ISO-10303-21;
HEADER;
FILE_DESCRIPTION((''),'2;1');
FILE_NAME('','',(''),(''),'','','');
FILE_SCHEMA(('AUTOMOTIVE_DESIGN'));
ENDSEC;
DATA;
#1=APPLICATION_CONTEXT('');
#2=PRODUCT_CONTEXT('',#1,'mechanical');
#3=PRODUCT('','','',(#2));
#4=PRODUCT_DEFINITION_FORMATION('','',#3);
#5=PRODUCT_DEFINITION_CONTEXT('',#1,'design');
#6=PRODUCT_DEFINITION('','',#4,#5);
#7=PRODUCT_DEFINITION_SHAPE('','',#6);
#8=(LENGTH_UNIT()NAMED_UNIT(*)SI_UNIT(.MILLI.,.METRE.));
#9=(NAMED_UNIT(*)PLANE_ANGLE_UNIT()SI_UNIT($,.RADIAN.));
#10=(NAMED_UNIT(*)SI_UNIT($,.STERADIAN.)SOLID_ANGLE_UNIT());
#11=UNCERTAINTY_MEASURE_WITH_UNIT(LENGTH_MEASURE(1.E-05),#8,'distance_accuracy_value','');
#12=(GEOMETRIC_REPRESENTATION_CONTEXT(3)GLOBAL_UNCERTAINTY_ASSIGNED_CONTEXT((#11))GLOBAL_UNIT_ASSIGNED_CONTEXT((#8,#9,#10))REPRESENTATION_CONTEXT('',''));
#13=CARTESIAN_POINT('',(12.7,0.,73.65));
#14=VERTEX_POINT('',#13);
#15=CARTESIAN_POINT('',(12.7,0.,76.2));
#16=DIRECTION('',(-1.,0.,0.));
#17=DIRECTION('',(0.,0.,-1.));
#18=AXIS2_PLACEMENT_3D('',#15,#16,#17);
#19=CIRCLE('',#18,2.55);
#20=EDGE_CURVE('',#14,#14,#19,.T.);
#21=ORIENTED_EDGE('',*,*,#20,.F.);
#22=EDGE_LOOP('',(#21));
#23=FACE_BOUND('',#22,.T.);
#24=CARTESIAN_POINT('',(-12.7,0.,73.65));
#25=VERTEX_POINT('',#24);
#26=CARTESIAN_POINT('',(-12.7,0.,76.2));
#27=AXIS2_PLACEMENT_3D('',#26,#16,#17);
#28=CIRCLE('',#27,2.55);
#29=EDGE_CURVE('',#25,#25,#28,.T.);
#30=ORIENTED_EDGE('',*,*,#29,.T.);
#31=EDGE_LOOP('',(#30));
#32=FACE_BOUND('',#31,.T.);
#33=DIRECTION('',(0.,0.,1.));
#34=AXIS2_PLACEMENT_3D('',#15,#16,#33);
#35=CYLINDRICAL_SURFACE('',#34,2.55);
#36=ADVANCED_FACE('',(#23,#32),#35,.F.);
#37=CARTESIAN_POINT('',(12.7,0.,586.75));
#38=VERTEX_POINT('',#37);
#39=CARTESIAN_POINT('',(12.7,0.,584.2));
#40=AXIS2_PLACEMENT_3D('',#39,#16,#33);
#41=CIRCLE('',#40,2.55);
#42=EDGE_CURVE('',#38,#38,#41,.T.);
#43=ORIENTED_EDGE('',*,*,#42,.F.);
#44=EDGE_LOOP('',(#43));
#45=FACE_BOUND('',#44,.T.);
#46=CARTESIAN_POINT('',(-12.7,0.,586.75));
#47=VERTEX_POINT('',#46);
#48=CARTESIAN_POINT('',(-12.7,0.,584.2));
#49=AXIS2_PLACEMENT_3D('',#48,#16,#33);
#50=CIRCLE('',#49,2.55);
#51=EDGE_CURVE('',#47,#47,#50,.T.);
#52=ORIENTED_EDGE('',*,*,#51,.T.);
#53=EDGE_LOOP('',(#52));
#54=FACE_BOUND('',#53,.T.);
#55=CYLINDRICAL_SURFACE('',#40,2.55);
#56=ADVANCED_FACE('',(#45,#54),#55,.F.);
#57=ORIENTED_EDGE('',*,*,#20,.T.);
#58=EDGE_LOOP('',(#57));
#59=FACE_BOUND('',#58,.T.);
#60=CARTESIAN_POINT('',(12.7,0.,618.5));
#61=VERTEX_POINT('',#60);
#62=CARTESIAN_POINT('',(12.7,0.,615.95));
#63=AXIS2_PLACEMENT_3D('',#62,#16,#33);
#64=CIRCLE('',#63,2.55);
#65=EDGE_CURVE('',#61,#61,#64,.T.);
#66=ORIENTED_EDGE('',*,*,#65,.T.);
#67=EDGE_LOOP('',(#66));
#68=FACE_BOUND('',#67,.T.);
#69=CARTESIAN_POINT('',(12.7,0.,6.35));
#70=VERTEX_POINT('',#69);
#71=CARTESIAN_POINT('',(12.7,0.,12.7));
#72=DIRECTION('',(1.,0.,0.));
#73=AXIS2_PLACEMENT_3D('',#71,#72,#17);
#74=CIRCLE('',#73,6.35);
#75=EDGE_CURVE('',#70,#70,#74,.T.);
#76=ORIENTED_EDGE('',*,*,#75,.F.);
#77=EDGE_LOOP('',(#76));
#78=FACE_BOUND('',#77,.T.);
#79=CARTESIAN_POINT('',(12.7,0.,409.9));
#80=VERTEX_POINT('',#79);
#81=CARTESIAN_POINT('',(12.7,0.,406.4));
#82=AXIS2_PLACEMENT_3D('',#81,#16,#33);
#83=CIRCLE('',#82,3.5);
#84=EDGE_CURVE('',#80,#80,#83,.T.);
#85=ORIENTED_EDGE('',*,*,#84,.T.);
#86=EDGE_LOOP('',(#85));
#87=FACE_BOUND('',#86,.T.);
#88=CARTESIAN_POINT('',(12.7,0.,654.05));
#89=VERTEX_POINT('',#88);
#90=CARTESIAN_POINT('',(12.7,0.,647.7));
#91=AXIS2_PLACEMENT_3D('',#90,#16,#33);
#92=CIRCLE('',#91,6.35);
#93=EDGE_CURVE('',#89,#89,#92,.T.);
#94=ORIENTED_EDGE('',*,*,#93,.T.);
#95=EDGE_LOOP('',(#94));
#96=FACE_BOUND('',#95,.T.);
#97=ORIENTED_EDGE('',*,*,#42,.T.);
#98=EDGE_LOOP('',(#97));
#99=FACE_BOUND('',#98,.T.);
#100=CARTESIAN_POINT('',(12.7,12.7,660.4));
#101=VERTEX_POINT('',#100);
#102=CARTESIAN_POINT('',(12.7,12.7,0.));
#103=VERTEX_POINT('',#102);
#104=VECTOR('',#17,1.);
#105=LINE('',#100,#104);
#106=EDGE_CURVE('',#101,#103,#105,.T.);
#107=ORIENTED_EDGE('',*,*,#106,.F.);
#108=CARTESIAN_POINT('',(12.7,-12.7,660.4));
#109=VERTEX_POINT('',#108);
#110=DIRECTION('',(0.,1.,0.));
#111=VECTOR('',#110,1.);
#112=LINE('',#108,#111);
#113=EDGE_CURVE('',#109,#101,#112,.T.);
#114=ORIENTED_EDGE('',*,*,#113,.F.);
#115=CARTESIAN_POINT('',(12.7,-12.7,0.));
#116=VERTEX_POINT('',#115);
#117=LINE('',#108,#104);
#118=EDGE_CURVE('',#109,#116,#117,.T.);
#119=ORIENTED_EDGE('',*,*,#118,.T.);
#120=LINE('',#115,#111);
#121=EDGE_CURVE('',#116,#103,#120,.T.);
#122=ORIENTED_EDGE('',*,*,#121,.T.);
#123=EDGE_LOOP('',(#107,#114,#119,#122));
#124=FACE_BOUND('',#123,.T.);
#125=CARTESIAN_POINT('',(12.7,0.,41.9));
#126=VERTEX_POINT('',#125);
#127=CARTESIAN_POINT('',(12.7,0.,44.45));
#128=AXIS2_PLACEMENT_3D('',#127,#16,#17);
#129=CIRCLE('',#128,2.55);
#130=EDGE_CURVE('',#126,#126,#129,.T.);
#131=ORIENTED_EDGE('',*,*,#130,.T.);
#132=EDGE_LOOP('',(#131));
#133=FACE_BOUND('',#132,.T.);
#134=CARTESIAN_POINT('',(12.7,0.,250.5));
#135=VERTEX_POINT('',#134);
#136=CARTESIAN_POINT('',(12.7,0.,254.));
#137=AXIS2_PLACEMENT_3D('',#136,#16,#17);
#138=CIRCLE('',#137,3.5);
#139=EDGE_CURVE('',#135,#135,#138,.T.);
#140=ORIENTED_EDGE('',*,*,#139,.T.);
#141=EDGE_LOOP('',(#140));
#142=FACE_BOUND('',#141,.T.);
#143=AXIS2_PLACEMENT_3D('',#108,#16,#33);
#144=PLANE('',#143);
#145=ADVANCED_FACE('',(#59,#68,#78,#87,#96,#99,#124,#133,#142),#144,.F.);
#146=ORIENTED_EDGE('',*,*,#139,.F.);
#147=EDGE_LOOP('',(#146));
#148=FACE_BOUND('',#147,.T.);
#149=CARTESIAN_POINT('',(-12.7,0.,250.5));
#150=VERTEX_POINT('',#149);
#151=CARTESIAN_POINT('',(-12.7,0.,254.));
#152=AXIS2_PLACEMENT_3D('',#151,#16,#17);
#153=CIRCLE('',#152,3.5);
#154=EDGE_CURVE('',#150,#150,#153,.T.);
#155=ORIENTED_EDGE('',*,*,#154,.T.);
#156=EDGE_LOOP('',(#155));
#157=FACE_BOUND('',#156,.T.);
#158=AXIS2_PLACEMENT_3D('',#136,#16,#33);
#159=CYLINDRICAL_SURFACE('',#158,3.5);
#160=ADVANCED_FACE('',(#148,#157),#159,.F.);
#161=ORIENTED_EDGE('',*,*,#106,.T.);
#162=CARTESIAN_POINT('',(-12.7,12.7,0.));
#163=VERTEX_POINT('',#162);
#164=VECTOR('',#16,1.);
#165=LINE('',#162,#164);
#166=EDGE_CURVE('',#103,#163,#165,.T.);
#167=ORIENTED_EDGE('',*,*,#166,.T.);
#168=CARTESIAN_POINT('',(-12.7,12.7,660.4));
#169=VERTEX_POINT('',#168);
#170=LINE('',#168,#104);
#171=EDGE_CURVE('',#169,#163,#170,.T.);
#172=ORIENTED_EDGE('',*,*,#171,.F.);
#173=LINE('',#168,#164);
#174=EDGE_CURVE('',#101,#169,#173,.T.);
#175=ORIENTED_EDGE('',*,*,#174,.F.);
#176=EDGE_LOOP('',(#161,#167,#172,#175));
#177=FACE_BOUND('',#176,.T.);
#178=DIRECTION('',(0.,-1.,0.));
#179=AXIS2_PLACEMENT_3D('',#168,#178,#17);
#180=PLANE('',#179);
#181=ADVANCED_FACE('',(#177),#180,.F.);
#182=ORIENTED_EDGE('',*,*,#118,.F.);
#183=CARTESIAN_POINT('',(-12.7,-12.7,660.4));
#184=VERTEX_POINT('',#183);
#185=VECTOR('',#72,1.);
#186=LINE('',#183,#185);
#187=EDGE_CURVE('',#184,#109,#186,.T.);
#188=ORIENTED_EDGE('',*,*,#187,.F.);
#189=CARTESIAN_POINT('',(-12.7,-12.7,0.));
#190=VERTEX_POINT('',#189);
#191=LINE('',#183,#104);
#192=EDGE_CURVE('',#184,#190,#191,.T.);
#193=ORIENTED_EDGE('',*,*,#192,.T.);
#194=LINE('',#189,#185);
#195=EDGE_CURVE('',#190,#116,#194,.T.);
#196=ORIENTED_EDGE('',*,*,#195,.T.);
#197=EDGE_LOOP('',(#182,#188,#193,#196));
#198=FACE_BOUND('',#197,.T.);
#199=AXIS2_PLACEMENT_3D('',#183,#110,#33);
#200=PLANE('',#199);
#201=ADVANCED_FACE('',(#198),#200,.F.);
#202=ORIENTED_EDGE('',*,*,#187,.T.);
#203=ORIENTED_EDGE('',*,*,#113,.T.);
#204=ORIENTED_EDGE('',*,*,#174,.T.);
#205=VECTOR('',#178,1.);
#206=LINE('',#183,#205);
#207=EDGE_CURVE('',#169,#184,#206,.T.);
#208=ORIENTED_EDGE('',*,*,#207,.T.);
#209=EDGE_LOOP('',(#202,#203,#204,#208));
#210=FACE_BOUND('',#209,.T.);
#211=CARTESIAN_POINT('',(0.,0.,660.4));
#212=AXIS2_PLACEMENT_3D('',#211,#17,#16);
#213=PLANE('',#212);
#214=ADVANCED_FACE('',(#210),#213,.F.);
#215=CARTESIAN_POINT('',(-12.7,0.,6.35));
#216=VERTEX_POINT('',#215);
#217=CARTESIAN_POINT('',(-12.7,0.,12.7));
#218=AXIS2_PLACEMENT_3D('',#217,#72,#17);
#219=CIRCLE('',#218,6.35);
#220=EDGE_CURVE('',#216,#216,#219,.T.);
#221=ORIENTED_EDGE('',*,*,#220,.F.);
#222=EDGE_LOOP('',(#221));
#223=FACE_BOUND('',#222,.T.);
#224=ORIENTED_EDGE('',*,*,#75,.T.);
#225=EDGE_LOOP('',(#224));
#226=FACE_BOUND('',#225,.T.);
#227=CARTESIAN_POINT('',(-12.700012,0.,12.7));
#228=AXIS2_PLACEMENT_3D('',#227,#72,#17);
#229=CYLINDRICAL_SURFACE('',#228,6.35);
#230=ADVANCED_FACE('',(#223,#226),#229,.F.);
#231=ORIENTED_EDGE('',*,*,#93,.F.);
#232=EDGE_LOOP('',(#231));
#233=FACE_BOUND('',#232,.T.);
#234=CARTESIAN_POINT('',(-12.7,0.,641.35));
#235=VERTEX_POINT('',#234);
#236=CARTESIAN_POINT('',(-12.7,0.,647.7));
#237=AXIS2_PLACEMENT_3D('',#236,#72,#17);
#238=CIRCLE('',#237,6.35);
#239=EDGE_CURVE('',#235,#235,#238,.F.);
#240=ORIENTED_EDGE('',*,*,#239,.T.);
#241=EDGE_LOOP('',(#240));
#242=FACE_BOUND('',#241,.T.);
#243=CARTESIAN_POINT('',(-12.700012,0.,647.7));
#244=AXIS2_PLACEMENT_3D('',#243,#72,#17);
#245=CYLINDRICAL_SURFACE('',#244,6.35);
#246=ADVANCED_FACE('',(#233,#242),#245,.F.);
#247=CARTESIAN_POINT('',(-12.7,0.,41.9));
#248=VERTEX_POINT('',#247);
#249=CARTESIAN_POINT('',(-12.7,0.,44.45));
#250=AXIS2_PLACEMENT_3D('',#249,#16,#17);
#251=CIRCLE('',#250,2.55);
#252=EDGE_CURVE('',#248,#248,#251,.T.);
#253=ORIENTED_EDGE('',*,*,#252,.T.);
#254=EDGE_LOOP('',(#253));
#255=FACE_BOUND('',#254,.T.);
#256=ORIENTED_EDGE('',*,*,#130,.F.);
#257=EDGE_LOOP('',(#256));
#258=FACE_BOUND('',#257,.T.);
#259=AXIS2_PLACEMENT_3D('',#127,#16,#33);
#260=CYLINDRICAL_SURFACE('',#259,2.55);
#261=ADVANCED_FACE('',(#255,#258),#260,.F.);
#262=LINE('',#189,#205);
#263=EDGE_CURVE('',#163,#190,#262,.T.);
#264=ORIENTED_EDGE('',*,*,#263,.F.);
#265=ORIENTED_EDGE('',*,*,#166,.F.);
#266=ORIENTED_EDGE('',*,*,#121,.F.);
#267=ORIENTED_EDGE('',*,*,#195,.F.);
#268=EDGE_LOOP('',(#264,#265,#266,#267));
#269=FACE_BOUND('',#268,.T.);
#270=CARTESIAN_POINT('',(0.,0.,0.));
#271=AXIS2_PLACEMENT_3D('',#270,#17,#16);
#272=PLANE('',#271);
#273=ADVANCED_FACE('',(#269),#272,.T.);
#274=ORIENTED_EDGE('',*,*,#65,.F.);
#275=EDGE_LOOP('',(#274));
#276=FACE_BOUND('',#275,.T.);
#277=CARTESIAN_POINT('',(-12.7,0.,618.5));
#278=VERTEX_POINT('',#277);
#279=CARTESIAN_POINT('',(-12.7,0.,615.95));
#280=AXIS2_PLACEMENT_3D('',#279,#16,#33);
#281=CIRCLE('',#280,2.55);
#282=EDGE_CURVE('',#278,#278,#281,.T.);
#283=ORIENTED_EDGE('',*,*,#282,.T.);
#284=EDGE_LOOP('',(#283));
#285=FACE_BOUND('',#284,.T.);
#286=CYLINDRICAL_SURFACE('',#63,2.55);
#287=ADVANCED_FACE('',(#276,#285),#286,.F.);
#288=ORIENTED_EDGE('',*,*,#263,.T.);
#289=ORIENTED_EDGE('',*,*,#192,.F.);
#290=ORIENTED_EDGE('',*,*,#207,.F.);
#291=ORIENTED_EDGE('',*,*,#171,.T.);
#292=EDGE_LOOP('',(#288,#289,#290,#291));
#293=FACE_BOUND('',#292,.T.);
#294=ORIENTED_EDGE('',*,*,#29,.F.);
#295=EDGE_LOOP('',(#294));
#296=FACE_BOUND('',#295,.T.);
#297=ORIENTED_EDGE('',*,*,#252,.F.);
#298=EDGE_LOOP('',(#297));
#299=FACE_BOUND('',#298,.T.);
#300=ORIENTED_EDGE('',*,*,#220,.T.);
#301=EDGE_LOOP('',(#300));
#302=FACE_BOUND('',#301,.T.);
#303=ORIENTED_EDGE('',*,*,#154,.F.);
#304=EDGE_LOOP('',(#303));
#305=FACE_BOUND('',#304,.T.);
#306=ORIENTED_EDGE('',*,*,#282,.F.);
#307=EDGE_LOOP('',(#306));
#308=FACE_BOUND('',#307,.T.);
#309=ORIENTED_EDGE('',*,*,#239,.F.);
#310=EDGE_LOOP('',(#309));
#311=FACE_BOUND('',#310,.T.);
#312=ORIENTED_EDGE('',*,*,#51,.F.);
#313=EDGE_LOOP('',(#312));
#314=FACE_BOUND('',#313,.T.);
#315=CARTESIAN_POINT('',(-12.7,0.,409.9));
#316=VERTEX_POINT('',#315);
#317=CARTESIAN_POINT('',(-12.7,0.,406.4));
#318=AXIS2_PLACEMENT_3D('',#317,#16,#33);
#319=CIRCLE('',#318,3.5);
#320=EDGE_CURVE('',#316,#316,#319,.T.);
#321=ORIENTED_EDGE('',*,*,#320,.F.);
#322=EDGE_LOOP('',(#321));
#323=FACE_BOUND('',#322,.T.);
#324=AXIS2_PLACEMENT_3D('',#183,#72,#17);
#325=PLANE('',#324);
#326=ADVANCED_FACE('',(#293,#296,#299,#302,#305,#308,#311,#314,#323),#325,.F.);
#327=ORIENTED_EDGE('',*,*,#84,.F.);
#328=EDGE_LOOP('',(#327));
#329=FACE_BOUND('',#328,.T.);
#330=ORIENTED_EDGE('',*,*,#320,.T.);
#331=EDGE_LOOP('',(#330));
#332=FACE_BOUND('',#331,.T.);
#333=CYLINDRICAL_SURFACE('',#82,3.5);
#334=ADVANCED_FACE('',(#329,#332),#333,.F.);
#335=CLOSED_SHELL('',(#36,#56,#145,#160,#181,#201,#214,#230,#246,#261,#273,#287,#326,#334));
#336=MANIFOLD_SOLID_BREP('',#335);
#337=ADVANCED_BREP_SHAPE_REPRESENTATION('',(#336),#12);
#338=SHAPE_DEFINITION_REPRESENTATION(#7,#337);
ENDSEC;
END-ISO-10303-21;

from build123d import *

# Parameters (mm, degrees)
SKETCH1_W               = 25.4
SKETCH1_H               = 25.4
BOSS_EXTRUDE1_DEPTH     = 660.4
SKETCH2_R               = 6.35
CUT_EXTRUDE4_DEPTH      = 26.4
CUT_EXTRUDE4_DEPTH_BACK = 1
SKETCH3_R               = 2.55
CUT_EXTRUDE5_DEPTH      = 26.4
SKETCH10_R              = 3.5
CUT_EXTRUDE6_DEPTH      = 26.4


with BuildPart() as part:
    # Sketch1 → Boss-Extrude1 (new body)
    with BuildSketch(Plane.XY):
        Rectangle(SKETCH1_W, SKETCH1_H)
    extrude(amount=BOSS_EXTRUDE1_DEPTH)

    # Sketch2 → Cut-Extrude4 (cut, two sides)
    with BuildSketch(Plane(origin=(-12.7, 0, 0), x_dir=(0, 0, -1), z_dir=(1, 0, 0))) as cut_extrude4_sk:
        with Locations((-12.7, 0)):
            Circle(SKETCH2_R)
        with Locations((-647.7, 0)):
            Circle(SKETCH2_R)
    extrude(amount=CUT_EXTRUDE4_DEPTH, mode=Mode.SUBTRACT)
    extrude(cut_extrude4_sk.sketch, amount=-CUT_EXTRUDE4_DEPTH_BACK, mode=Mode.SUBTRACT)

    # Sketch3 → Cut-Extrude5 (cut, through all)
    with BuildSketch(Plane.ZY.offset(12.7)):
        with Locations((584.2, 0)):
            Circle(SKETCH3_R)
        with Locations((76.2, 0)):
            Circle(SKETCH3_R)
        with Locations((615.95, 0)):
            Circle(SKETCH3_R)
        with Locations((44.45, 0)):
            Circle(SKETCH3_R)
    extrude(amount=-CUT_EXTRUDE5_DEPTH, mode=Mode.SUBTRACT)

    # Sketch10 → Cut-Extrude6 (cut, through all)
    with BuildSketch(Plane.ZY.offset(12.7)):
        with Locations((406.4, 0)):
            Circle(SKETCH10_R)
        with Locations((254, 0)):
            Circle(SKETCH10_R)
    extrude(amount=-CUT_EXTRUDE6_DEPTH, mode=Mode.SUBTRACT)


solid = part.part
